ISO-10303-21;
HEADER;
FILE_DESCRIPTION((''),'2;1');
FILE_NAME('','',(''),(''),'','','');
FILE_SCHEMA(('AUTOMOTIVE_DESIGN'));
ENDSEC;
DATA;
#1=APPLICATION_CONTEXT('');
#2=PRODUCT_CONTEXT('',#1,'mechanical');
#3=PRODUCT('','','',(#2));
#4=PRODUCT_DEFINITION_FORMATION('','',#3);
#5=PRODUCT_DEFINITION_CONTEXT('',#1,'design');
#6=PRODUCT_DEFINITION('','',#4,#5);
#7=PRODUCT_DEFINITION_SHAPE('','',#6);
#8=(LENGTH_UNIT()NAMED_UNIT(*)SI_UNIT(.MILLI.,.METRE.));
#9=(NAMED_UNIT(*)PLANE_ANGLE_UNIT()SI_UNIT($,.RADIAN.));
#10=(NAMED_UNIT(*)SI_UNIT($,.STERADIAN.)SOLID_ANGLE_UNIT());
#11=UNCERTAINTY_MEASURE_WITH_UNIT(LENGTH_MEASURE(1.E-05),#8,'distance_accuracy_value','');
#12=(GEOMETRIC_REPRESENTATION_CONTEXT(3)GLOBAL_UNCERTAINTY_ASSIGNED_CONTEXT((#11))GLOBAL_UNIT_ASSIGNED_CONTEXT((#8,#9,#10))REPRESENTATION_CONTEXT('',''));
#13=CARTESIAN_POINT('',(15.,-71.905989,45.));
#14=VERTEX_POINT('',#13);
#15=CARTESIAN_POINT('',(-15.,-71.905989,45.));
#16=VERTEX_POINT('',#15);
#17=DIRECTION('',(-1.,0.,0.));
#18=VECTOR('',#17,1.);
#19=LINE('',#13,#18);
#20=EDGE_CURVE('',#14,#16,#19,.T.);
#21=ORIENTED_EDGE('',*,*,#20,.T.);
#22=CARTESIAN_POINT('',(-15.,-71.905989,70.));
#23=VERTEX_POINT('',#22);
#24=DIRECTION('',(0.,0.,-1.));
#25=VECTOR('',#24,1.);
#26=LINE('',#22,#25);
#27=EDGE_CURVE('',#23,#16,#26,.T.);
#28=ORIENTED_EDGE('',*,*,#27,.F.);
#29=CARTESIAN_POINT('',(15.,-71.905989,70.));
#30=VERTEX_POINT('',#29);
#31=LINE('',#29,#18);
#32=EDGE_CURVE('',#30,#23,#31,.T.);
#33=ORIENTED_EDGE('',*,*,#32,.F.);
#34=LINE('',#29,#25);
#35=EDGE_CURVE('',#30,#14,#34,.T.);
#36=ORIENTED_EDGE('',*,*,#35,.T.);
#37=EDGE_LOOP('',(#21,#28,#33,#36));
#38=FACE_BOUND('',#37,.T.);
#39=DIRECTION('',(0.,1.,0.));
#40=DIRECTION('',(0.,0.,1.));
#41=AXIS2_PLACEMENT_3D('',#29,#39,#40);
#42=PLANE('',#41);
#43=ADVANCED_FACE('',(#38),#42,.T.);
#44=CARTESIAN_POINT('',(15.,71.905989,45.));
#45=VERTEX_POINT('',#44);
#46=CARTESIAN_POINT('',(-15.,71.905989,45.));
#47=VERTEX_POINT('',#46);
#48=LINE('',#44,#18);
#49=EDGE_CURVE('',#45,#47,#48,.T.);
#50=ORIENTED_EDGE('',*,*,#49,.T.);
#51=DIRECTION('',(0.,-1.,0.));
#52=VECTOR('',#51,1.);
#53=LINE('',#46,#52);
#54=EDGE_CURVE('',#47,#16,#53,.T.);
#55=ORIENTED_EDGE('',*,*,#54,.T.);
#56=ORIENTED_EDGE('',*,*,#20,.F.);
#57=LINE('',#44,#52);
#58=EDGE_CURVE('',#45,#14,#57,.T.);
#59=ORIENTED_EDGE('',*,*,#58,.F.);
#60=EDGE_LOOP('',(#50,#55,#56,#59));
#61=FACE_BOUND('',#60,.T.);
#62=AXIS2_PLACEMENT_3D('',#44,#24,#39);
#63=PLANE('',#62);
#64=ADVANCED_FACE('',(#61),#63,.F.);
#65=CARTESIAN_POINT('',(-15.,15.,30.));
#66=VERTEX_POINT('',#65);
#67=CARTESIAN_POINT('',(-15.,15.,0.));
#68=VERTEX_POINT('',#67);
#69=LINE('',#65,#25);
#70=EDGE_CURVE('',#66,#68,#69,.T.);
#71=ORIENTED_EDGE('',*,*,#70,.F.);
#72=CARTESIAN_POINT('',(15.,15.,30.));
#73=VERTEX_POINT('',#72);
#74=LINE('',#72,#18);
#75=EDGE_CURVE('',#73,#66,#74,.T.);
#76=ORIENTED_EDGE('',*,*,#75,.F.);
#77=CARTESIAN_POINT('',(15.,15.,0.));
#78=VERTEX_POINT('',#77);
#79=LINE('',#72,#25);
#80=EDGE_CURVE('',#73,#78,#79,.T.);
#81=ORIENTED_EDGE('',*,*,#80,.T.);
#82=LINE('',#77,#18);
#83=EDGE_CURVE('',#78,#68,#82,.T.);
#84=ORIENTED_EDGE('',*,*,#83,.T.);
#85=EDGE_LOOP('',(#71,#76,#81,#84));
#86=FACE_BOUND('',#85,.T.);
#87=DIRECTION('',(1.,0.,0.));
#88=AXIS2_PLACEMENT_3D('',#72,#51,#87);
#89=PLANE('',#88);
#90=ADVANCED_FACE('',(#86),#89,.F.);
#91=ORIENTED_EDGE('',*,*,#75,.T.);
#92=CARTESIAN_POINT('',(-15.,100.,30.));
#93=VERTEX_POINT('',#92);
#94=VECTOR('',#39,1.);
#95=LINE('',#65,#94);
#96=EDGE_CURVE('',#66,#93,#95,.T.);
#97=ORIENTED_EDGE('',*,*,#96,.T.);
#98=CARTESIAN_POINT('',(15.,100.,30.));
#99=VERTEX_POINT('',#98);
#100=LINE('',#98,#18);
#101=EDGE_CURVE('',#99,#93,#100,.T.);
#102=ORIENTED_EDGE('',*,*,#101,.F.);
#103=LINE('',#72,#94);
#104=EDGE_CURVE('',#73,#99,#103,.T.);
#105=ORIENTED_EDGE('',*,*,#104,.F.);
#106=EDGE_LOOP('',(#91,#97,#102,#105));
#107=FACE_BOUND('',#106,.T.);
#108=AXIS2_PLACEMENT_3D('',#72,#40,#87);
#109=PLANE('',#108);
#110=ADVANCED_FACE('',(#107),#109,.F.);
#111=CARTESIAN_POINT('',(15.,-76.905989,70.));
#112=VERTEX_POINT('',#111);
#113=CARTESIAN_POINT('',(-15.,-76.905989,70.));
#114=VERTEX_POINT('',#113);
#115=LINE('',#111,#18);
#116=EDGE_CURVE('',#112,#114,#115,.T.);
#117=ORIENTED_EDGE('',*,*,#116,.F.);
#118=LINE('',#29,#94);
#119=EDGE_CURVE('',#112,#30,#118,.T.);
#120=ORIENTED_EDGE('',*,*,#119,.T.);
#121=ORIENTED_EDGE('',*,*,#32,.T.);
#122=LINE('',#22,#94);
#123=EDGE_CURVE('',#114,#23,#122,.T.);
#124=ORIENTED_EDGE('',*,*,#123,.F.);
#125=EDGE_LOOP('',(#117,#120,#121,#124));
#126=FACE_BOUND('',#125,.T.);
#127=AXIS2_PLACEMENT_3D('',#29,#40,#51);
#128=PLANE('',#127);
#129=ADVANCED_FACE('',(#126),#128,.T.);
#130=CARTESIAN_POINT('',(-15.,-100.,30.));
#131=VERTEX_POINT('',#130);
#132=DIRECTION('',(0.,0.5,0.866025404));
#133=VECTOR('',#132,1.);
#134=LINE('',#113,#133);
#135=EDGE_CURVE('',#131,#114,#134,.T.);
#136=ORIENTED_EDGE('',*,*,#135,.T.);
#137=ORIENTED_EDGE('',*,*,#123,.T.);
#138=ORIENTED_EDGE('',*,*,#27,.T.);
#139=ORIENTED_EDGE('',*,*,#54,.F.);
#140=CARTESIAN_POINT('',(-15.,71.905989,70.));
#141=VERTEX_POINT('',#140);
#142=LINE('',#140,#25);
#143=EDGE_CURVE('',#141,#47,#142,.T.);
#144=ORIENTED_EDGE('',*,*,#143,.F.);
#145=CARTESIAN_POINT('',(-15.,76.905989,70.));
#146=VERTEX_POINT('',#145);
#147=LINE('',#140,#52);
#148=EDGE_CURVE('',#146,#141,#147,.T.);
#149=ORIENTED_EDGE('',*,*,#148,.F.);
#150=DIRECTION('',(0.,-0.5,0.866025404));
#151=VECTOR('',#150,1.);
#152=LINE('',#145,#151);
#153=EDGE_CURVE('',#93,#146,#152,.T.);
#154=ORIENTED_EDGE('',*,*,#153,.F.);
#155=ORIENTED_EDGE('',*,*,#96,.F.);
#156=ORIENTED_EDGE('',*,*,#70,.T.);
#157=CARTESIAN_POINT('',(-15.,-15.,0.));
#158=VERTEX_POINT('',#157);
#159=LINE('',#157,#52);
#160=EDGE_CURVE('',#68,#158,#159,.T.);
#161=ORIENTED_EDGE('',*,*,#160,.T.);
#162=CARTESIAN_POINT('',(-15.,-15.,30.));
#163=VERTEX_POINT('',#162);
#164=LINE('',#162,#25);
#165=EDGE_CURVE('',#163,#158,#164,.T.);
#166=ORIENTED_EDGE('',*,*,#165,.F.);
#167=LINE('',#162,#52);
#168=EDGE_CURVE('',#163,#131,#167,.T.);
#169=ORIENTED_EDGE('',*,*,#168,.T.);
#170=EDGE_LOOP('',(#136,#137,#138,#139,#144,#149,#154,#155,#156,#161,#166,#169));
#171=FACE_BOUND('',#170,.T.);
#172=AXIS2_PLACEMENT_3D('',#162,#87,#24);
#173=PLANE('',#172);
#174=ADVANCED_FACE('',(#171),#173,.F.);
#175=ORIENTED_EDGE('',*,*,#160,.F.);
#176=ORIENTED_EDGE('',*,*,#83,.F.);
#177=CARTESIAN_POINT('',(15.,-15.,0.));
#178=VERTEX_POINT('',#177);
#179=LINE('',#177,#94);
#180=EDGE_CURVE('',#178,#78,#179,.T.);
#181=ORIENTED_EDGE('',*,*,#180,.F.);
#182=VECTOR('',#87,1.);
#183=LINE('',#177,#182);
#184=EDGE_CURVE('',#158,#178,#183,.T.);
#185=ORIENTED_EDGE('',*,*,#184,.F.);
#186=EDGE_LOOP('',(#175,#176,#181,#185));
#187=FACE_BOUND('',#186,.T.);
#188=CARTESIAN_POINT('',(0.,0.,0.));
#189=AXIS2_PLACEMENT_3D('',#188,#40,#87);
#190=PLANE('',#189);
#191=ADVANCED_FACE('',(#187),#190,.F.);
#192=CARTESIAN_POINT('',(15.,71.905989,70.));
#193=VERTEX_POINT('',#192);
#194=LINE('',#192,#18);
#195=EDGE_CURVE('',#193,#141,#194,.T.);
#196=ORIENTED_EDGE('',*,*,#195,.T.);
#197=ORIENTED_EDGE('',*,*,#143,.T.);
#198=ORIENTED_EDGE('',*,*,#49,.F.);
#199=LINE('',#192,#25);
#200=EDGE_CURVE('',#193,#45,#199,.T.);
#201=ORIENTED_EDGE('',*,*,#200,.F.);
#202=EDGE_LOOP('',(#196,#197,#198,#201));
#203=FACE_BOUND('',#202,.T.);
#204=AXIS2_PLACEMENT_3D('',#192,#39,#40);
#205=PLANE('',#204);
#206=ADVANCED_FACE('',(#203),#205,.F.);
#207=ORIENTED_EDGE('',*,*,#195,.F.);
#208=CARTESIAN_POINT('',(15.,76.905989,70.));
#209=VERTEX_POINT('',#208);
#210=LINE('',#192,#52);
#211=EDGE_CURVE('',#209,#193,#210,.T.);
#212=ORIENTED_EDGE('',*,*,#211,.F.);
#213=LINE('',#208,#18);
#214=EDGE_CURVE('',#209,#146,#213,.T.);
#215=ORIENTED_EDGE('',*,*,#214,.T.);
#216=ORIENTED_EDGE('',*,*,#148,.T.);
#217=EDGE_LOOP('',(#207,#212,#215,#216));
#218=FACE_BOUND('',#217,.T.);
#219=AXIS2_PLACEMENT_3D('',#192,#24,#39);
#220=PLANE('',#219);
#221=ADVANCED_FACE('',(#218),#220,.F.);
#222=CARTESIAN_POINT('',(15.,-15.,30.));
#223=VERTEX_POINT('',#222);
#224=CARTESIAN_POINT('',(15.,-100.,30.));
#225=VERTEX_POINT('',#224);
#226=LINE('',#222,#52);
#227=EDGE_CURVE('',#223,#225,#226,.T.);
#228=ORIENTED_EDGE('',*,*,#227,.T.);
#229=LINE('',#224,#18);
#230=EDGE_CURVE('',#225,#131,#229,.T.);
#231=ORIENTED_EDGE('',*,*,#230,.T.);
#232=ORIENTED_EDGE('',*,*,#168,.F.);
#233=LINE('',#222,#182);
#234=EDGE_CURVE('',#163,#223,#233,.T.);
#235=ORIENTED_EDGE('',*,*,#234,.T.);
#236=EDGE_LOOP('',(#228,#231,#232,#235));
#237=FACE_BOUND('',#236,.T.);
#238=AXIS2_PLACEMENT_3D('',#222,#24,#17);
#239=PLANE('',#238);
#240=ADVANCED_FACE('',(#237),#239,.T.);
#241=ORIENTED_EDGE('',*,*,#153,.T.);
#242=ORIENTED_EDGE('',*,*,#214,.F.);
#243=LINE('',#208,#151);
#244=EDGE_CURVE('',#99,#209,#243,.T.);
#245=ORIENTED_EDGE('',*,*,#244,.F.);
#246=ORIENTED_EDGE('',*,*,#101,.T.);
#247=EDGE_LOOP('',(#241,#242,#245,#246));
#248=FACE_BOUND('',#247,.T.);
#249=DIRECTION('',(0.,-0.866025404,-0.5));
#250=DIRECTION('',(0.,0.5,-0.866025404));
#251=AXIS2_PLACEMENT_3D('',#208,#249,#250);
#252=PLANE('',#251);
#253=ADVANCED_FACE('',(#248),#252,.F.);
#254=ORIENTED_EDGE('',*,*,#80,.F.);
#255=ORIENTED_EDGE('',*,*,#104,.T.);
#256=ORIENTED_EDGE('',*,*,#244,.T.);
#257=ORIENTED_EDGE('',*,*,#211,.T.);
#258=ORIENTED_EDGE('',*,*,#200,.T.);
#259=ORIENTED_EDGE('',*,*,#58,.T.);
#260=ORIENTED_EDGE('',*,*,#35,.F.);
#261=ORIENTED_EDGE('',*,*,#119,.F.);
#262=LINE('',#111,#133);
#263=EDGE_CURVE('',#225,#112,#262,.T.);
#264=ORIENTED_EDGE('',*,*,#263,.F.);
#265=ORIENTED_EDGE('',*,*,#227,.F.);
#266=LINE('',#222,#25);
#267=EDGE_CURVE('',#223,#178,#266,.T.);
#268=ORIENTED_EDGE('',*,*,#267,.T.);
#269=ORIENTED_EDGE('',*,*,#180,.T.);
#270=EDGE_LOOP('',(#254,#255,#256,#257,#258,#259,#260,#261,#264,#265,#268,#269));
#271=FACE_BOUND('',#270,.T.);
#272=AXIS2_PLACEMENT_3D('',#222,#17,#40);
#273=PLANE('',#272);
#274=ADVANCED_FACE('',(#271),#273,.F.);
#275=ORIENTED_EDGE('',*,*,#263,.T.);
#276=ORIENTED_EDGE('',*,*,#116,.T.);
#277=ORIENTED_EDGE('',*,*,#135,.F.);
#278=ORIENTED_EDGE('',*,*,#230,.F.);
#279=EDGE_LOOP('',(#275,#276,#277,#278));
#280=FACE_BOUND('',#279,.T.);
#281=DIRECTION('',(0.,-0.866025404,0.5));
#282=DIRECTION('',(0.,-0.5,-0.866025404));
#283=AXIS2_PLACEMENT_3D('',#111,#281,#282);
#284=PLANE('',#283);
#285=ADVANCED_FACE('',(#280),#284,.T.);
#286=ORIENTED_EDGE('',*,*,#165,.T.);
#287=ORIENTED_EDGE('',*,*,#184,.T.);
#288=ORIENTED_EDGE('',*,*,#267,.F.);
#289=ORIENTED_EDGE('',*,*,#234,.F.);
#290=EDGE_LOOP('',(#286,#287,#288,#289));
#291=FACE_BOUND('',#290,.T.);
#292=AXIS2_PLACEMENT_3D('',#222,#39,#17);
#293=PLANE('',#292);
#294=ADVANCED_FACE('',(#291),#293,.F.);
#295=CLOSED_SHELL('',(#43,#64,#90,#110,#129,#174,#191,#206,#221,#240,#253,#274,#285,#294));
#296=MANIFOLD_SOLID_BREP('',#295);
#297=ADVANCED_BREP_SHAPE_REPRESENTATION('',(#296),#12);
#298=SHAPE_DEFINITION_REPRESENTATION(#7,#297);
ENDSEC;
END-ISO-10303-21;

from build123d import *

# Parameters (mm, degrees)
SKETCH1_W           = 30
SKETCH1_H           = 30
BOSS_EXTRUDE1_DEPTH = 30
BOSS_EXTRUDE2_DEPTH = 15


with BuildPart() as part:
    # Sketch1 → Boss-Extrude1 (new body)
    with BuildSketch(Plane.XY):
        Rectangle(SKETCH1_W, SKETCH1_H)
    extrude(amount=BOSS_EXTRUDE1_DEPTH)

    # Sketch2 → Boss-Extrude2 (add, symmetric)
    with BuildSketch(Plane(origin=(0, 0, 0), x_dir=(0, 0, -1), z_dir=(1, 0, 0))):
        Polygon((-30, 15), (-30, 100), (-70, 76.905989232), (-70, 71.905989232), (-45, 71.905989232), (-45, 0), (-30, 0), align=None)
    boss_extrude2 = extrude(amount=BOSS_EXTRUDE2_DEPTH, both=True)

    # Mirror1: Boss-Extrude2 across plane
    add(boss_extrude2.mirror(Plane.ZX))


solid = part.part
